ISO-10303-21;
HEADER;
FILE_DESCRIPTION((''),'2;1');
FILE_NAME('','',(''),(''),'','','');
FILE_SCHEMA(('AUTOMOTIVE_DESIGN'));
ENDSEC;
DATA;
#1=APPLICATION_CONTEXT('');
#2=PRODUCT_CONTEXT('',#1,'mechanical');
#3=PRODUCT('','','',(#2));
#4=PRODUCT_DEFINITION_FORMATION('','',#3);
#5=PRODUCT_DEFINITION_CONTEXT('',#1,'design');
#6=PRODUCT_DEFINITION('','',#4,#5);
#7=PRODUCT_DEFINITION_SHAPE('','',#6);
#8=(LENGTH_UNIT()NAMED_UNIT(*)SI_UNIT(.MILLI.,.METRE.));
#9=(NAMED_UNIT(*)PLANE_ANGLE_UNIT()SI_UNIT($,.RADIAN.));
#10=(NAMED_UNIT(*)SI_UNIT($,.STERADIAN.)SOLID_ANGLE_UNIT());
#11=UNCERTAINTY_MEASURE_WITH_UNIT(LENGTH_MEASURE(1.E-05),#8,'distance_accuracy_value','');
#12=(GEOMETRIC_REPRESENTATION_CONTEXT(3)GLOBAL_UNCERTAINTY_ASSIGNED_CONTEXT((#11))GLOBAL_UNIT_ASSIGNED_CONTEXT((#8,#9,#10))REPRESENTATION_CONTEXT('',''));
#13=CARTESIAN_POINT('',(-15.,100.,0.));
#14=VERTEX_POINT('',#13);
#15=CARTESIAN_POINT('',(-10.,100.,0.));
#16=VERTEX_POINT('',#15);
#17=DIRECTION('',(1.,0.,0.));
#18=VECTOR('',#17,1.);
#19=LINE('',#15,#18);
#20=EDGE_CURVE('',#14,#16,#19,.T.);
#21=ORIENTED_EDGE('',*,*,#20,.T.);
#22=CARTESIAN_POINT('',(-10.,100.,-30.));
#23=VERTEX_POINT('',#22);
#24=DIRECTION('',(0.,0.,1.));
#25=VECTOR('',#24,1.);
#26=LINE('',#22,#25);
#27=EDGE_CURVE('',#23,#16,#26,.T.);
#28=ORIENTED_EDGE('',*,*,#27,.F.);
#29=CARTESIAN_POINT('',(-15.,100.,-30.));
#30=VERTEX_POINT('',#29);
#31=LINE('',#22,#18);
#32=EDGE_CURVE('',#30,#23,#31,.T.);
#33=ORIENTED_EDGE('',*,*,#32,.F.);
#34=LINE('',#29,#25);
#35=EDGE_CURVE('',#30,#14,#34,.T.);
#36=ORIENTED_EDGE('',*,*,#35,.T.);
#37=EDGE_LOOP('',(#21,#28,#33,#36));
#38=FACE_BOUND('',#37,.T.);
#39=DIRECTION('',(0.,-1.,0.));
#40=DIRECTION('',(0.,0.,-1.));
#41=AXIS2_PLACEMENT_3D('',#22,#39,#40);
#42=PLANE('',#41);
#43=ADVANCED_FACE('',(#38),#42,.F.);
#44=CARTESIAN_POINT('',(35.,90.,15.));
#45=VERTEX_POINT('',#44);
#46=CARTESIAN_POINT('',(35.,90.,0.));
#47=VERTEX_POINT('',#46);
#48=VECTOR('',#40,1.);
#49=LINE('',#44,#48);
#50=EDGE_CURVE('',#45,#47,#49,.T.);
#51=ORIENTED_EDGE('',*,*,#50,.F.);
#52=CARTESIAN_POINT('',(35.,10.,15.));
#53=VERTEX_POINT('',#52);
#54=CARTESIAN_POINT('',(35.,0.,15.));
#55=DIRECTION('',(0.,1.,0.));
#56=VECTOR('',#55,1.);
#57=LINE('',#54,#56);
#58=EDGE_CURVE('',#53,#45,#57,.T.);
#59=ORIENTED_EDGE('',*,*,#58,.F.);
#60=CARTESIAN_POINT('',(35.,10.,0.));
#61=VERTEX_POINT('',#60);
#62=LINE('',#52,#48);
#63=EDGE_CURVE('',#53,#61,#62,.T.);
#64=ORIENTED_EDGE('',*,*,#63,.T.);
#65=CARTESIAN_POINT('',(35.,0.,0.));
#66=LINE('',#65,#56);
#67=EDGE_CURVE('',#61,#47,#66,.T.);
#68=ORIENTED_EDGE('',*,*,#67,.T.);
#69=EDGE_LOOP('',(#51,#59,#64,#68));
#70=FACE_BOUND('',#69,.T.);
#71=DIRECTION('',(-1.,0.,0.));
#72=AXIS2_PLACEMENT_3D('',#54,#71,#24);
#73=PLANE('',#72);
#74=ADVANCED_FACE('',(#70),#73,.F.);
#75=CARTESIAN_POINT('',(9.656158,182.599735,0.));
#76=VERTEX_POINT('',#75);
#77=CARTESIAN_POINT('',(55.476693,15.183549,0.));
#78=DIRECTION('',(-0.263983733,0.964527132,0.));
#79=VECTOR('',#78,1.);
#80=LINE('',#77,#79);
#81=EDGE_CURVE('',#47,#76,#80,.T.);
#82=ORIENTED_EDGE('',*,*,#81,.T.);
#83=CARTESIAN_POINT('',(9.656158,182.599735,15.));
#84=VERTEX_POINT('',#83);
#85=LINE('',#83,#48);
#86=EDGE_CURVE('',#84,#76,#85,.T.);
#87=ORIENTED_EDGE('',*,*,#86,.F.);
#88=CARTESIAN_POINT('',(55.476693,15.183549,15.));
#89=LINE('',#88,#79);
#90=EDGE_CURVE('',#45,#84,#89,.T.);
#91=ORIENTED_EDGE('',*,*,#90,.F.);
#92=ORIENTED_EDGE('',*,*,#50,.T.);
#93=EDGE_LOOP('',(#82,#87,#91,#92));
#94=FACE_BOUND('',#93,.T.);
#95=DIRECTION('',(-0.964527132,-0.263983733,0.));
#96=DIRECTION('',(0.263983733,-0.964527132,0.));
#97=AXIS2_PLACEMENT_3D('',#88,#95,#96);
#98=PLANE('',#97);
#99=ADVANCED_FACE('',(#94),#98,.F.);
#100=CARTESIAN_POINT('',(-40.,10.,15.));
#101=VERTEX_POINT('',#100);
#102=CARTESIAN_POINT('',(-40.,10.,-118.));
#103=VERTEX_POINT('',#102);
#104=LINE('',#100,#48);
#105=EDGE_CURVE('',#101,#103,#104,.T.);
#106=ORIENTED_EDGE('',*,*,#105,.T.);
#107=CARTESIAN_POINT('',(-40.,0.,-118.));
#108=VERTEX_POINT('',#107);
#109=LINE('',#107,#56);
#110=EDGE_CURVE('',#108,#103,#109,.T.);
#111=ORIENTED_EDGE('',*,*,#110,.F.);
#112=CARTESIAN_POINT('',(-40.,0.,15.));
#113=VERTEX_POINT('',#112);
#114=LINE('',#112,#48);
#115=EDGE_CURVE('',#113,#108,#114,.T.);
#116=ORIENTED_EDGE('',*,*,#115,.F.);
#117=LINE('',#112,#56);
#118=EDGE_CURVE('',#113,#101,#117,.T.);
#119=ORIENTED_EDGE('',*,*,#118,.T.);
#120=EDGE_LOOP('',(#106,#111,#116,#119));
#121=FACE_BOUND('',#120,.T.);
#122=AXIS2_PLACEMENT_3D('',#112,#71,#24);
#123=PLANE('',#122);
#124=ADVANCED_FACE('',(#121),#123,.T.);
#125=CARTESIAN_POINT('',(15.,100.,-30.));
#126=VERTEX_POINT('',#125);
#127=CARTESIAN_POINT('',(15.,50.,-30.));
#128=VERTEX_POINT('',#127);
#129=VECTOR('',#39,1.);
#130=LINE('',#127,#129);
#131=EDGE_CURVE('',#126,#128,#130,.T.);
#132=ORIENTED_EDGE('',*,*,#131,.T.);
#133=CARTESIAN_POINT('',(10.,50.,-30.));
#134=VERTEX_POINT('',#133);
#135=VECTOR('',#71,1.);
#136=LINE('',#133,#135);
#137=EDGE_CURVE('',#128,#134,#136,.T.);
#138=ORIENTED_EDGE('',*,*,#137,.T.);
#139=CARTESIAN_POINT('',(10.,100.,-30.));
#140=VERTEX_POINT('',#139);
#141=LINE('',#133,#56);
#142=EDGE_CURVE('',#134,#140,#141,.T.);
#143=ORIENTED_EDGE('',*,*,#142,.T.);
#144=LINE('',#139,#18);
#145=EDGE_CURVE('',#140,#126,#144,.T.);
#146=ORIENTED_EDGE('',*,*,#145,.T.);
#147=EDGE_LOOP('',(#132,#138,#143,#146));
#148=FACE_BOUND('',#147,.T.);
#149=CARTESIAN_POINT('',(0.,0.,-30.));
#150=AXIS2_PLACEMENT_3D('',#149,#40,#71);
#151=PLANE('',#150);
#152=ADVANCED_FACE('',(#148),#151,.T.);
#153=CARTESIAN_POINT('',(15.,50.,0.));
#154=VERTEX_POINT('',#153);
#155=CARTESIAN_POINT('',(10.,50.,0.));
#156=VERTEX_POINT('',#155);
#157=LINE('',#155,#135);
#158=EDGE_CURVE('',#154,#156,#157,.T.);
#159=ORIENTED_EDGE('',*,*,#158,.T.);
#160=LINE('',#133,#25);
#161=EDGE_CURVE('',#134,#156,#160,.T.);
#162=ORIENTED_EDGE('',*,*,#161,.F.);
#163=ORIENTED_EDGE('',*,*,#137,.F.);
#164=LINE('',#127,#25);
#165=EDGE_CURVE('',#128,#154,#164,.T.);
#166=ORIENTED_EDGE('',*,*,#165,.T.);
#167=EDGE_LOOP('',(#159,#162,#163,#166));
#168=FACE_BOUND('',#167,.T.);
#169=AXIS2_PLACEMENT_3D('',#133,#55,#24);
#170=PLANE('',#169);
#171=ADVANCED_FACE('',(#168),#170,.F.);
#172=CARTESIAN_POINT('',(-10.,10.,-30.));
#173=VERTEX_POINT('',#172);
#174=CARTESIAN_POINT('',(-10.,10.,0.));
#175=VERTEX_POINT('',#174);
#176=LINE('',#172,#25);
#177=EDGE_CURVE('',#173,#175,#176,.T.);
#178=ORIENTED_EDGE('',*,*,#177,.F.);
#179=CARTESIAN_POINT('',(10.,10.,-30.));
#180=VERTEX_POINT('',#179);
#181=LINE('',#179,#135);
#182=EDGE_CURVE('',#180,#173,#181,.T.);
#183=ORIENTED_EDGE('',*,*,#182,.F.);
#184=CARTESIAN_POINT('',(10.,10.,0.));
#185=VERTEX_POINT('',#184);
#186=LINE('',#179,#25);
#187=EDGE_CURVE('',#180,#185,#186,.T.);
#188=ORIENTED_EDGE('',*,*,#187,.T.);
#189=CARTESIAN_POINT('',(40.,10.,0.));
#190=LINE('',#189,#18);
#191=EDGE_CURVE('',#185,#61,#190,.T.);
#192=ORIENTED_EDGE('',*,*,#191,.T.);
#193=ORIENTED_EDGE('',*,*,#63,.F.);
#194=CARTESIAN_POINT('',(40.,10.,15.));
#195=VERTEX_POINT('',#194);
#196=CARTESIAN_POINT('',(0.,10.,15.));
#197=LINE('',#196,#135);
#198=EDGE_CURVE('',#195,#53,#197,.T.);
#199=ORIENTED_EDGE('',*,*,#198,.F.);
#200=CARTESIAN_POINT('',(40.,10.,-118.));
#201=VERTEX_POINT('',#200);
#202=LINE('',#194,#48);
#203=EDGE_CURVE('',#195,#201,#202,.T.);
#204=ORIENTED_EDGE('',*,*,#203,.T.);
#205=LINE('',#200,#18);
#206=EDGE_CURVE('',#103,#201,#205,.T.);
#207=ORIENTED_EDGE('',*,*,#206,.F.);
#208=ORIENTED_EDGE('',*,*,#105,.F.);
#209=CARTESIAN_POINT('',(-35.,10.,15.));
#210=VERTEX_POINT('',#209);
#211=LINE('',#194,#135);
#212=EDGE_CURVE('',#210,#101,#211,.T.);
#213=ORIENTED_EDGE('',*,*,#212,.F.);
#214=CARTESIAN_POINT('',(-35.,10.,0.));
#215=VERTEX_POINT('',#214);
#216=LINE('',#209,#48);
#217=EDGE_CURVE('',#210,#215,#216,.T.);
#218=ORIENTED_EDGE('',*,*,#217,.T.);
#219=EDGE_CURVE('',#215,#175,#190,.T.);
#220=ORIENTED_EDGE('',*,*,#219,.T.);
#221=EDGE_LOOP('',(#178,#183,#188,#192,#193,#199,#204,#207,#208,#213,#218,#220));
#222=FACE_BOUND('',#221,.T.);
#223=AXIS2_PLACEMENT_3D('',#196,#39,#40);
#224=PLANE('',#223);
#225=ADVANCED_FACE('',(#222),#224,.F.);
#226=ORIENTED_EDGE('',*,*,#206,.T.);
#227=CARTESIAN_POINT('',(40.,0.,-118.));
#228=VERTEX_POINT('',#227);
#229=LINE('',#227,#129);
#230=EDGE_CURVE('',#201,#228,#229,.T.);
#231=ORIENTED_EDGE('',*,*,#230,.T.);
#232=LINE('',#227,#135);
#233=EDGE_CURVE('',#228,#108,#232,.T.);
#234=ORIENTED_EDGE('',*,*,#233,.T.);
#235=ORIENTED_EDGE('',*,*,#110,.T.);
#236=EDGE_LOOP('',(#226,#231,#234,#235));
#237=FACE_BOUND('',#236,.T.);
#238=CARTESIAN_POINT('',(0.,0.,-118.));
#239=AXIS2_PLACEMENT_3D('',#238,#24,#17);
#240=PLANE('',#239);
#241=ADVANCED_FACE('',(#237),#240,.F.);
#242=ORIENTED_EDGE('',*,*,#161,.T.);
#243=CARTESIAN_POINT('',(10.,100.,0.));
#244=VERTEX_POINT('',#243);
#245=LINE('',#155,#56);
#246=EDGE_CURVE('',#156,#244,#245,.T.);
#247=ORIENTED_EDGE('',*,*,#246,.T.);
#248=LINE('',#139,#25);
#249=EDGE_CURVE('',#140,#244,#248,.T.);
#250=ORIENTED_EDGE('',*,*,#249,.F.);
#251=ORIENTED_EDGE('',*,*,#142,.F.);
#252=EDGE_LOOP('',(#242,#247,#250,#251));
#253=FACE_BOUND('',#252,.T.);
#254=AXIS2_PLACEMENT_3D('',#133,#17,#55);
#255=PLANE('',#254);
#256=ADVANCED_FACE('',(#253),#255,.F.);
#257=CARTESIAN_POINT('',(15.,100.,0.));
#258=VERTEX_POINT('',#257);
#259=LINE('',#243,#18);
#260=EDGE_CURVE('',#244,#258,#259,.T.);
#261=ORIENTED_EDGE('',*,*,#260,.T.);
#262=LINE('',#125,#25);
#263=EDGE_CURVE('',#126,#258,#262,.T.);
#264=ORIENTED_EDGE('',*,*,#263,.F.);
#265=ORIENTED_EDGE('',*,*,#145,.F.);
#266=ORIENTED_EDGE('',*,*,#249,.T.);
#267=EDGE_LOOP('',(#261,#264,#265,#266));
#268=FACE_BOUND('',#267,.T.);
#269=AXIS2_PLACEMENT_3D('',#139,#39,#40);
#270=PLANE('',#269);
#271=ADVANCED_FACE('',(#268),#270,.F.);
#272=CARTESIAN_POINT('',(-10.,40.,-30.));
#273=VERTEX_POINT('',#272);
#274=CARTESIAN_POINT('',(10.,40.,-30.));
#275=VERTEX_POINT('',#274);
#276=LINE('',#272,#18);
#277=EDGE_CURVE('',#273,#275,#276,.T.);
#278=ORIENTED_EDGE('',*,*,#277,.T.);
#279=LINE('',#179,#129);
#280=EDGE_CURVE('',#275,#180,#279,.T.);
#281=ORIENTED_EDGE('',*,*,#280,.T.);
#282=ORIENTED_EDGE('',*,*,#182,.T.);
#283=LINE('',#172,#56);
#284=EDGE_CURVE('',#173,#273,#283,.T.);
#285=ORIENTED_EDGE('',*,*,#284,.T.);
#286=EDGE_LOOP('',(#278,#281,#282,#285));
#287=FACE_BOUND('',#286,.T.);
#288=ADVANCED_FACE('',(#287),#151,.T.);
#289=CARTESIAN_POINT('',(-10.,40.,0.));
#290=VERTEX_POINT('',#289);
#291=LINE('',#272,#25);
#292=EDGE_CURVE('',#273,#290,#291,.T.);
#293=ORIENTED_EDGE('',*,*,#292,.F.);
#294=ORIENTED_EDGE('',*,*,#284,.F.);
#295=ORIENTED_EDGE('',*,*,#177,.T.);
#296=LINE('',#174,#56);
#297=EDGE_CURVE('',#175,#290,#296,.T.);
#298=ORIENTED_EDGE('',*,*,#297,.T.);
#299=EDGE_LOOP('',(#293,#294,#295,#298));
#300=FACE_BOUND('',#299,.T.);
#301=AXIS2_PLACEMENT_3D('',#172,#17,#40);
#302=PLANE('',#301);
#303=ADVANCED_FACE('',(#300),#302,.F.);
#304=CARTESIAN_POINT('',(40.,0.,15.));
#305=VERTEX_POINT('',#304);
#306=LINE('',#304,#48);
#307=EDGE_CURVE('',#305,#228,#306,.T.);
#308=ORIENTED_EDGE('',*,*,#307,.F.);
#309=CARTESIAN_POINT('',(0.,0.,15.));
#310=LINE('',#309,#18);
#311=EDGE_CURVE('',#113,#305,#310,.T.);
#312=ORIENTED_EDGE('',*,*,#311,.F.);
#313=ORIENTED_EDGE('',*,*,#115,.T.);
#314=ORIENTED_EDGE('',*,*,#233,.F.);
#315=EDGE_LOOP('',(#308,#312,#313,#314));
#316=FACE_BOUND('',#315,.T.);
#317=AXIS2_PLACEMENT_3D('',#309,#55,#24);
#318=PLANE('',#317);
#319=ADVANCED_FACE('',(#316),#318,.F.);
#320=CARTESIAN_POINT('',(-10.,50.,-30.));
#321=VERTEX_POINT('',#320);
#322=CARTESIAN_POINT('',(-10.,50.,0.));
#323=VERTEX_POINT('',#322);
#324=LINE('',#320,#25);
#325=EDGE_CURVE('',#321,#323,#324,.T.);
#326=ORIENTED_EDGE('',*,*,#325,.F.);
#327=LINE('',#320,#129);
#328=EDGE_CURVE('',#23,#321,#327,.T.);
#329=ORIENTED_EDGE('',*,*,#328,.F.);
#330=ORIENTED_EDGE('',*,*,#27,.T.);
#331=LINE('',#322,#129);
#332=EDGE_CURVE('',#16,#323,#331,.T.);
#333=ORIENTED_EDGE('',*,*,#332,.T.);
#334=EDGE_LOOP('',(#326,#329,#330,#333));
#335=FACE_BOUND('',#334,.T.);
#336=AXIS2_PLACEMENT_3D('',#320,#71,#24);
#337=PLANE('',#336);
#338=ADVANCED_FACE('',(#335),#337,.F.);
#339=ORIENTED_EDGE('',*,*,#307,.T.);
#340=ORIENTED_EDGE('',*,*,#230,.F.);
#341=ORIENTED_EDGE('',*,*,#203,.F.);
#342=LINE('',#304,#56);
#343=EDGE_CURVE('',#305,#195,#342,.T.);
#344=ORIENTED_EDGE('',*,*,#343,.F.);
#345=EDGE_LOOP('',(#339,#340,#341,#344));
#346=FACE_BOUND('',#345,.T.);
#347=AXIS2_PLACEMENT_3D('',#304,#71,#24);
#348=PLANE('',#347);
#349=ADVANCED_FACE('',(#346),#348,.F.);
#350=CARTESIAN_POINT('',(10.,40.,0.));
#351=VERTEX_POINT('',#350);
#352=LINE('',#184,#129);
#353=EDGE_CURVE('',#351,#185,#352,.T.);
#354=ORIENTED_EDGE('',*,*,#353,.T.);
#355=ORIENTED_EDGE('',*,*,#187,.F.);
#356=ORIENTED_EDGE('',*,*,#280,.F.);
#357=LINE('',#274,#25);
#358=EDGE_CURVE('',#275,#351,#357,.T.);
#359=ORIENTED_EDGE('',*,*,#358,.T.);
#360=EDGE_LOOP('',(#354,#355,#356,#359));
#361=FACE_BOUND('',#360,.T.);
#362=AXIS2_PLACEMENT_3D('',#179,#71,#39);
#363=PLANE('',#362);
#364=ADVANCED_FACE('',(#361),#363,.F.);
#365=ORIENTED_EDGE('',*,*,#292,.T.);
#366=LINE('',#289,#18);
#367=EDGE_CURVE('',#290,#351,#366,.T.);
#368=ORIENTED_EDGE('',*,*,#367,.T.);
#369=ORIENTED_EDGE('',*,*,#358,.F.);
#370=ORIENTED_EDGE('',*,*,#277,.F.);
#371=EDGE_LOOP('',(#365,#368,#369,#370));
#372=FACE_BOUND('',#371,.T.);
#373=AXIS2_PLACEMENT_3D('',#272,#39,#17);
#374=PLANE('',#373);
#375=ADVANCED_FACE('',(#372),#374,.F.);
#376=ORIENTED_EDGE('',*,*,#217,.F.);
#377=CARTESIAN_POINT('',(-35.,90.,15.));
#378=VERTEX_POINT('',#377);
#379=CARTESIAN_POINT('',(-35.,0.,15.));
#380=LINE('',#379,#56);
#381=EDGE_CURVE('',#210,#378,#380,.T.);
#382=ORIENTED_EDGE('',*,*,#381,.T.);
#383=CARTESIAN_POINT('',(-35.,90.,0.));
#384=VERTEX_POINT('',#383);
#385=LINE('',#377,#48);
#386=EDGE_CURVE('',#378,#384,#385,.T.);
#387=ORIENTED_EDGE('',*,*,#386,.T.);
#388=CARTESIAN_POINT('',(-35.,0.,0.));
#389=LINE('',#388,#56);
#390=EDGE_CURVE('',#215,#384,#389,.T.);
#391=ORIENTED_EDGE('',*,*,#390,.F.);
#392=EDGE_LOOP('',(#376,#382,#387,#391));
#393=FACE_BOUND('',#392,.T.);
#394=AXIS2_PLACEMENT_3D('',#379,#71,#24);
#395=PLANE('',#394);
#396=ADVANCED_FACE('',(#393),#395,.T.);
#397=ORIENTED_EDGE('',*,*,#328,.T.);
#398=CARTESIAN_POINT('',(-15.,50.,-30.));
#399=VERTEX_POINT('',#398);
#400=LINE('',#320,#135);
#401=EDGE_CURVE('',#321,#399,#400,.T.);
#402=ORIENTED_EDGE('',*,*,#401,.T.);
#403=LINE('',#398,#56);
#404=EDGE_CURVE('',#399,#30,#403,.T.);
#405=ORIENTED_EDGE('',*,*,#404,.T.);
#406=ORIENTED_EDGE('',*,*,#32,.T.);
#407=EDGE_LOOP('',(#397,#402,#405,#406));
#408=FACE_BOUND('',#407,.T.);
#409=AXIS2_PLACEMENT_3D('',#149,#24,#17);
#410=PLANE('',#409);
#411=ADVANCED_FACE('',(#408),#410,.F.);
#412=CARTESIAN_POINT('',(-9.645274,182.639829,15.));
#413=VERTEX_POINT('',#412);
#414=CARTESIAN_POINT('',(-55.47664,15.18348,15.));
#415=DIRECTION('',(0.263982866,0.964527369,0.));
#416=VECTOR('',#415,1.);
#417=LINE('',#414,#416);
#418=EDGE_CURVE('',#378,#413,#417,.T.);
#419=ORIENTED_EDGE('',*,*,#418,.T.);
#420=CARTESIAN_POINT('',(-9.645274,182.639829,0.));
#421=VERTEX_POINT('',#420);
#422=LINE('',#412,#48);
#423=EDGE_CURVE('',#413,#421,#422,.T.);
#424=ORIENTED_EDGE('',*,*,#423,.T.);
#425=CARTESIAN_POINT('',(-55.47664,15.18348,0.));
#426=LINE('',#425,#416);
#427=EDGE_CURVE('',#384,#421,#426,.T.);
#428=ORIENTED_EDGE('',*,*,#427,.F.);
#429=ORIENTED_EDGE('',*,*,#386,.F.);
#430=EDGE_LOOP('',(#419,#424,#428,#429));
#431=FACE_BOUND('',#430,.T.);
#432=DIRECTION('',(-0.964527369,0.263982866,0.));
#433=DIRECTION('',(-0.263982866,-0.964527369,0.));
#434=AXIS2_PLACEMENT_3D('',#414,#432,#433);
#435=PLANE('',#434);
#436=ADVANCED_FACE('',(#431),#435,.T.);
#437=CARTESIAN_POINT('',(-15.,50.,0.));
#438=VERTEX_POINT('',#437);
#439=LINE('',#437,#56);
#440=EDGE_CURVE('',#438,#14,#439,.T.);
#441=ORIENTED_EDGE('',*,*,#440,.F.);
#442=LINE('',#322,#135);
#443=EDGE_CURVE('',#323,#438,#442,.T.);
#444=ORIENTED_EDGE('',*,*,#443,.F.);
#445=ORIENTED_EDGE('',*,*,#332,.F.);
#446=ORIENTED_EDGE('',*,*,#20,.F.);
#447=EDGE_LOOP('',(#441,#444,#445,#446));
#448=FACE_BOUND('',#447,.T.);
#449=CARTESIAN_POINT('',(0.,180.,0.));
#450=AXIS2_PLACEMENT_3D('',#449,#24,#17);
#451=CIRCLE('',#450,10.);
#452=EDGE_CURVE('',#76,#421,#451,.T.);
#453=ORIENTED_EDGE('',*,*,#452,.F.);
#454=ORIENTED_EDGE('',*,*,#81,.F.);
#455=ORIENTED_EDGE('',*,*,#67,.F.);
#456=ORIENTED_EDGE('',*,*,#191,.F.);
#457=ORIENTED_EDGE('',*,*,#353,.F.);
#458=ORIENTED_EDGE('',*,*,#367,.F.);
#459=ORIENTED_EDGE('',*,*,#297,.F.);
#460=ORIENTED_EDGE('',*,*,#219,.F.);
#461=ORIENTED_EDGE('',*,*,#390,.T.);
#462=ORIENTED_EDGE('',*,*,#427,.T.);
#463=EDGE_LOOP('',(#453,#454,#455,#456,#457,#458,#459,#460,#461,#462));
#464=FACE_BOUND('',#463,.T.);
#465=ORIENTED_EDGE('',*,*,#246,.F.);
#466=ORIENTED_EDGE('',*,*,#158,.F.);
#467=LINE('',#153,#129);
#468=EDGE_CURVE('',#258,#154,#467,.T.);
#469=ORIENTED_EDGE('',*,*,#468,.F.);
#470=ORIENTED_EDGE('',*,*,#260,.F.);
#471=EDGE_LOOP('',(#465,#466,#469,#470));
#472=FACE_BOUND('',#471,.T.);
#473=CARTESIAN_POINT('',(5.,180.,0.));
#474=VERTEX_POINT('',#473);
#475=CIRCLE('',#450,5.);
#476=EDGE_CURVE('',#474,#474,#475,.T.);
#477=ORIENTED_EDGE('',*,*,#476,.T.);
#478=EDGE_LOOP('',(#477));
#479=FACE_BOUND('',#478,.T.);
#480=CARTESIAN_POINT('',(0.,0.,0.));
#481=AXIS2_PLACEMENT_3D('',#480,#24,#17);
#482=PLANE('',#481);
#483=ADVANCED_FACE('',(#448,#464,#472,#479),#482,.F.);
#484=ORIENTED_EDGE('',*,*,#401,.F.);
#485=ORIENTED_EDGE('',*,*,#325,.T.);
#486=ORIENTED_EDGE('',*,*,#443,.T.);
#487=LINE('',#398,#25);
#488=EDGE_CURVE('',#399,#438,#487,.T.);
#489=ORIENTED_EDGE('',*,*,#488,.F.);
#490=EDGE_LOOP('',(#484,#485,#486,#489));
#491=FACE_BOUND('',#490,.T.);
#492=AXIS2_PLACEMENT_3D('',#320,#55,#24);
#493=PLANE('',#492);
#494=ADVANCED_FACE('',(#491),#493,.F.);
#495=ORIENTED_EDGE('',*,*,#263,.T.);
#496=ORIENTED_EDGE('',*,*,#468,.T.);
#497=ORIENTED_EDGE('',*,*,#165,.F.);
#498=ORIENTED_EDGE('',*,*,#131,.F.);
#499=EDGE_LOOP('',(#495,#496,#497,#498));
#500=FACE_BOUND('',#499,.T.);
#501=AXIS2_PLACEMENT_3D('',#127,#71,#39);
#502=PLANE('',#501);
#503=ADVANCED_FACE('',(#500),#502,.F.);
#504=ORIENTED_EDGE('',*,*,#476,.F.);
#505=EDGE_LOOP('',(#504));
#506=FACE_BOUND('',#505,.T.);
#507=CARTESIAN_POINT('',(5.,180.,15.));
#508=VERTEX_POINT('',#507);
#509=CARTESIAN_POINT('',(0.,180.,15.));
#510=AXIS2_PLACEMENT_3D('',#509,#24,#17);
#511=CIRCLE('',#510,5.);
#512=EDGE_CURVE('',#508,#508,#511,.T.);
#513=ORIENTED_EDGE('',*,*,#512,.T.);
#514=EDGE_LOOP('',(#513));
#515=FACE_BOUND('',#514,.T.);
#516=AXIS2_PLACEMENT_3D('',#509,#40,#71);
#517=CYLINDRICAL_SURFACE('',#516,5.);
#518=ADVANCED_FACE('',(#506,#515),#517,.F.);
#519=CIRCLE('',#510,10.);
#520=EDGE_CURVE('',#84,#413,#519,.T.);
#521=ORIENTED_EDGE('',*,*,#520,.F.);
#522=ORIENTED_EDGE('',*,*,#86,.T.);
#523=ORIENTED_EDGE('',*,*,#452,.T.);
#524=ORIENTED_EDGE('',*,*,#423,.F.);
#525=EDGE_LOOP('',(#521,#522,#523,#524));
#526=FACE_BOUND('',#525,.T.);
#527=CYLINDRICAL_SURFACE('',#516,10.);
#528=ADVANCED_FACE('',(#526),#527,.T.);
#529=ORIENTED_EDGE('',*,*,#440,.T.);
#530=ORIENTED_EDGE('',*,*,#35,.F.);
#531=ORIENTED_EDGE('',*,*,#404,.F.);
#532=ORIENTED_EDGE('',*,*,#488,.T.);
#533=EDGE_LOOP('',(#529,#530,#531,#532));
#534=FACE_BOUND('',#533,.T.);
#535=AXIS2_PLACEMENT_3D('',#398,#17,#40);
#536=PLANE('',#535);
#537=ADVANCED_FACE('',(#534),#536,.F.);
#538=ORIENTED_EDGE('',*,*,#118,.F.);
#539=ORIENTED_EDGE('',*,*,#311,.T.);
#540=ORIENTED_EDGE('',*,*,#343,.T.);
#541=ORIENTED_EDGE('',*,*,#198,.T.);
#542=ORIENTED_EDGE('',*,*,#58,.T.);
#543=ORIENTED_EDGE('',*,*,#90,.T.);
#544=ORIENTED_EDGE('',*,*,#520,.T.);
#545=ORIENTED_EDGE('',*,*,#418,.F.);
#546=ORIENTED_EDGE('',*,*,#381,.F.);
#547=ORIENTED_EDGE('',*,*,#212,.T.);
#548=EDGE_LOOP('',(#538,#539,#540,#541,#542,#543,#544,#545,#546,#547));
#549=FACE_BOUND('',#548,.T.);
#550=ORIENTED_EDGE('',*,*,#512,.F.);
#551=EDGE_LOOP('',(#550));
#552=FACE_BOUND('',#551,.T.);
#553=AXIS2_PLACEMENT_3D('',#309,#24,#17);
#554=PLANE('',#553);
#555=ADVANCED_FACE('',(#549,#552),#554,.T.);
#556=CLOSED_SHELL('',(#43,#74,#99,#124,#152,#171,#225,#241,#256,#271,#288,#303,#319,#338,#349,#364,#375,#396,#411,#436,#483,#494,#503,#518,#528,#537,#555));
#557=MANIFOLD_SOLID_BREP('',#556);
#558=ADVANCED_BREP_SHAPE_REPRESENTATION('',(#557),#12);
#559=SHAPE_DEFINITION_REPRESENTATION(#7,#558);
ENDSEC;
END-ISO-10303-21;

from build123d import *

# Parameters (mm, degrees)
SKETCH1_R           = 5
BOSS_EXTRUDE1_DEPTH = 15
SKETCH2_W           = 80
SKETCH2_H           = 10
BOSS_EXTRUDE2_DEPTH = 118
SKETCH3_W           = 20
SKETCH3_H           = 30
SKETCH3_W_2         = 5
SKETCH3_H_2         = 50
BOSS_EXTRUDE3_DEPTH = 30


with BuildPart() as part:
    # Sketch1 → Boss-Extrude1 (new body)
    with BuildSketch(Plane.XY):
        with BuildLine():
            Line((-40, 10), (-40, 0))
            Line((-40, 0), (40, 0))
            Line((40, 0), (40, 10))
            Line((40, 10), (35, 10))
            Line((35, 10), (35, 90))
            Line((35, 90), (9.656157585, 182.599734734))
            ThreePointArc((9.656157585, 182.599734734), (0.020772469, 189.999978425), (-9.645273695, 182.639828659))
            Line((-9.645273695, 182.639828659), (-35, 90))
            Line((-35, 90), (-35, 10))
            Line((-35, 10), (-40, 10))
        make_face()
        with Locations((0, 180)):
            Circle(SKETCH1_R, mode=Mode.SUBTRACT)
    extrude(amount=BOSS_EXTRUDE1_DEPTH)

    # Sketch2 → Boss-Extrude2 (add)
    with BuildSketch(Plane(origin=(0, 0, 0), x_dir=(-1, 0, 0), z_dir=(0, 0, -1))):
        with Locations((0, 5)):
            Rectangle(SKETCH2_W, SKETCH2_H)
    extrude(amount=BOSS_EXTRUDE2_DEPTH)

    # Sketch3 → Boss-Extrude3 (add)
    with BuildSketch(Plane(origin=(0, 0, 0), x_dir=(-1, 0, 0), z_dir=(0, 0, -1))):
        with Locations((0, 25)):
            Rectangle(SKETCH3_W, SKETCH3_H)
        with Locations((-12.5, 75)):
            Rectangle(SKETCH3_W_2, SKETCH3_H_2)
        with Locations((12.5, 75)):
            Rectangle(SKETCH3_W_2, SKETCH3_H_2)
    extrude(amount=BOSS_EXTRUDE3_DEPTH)


solid = part.part
